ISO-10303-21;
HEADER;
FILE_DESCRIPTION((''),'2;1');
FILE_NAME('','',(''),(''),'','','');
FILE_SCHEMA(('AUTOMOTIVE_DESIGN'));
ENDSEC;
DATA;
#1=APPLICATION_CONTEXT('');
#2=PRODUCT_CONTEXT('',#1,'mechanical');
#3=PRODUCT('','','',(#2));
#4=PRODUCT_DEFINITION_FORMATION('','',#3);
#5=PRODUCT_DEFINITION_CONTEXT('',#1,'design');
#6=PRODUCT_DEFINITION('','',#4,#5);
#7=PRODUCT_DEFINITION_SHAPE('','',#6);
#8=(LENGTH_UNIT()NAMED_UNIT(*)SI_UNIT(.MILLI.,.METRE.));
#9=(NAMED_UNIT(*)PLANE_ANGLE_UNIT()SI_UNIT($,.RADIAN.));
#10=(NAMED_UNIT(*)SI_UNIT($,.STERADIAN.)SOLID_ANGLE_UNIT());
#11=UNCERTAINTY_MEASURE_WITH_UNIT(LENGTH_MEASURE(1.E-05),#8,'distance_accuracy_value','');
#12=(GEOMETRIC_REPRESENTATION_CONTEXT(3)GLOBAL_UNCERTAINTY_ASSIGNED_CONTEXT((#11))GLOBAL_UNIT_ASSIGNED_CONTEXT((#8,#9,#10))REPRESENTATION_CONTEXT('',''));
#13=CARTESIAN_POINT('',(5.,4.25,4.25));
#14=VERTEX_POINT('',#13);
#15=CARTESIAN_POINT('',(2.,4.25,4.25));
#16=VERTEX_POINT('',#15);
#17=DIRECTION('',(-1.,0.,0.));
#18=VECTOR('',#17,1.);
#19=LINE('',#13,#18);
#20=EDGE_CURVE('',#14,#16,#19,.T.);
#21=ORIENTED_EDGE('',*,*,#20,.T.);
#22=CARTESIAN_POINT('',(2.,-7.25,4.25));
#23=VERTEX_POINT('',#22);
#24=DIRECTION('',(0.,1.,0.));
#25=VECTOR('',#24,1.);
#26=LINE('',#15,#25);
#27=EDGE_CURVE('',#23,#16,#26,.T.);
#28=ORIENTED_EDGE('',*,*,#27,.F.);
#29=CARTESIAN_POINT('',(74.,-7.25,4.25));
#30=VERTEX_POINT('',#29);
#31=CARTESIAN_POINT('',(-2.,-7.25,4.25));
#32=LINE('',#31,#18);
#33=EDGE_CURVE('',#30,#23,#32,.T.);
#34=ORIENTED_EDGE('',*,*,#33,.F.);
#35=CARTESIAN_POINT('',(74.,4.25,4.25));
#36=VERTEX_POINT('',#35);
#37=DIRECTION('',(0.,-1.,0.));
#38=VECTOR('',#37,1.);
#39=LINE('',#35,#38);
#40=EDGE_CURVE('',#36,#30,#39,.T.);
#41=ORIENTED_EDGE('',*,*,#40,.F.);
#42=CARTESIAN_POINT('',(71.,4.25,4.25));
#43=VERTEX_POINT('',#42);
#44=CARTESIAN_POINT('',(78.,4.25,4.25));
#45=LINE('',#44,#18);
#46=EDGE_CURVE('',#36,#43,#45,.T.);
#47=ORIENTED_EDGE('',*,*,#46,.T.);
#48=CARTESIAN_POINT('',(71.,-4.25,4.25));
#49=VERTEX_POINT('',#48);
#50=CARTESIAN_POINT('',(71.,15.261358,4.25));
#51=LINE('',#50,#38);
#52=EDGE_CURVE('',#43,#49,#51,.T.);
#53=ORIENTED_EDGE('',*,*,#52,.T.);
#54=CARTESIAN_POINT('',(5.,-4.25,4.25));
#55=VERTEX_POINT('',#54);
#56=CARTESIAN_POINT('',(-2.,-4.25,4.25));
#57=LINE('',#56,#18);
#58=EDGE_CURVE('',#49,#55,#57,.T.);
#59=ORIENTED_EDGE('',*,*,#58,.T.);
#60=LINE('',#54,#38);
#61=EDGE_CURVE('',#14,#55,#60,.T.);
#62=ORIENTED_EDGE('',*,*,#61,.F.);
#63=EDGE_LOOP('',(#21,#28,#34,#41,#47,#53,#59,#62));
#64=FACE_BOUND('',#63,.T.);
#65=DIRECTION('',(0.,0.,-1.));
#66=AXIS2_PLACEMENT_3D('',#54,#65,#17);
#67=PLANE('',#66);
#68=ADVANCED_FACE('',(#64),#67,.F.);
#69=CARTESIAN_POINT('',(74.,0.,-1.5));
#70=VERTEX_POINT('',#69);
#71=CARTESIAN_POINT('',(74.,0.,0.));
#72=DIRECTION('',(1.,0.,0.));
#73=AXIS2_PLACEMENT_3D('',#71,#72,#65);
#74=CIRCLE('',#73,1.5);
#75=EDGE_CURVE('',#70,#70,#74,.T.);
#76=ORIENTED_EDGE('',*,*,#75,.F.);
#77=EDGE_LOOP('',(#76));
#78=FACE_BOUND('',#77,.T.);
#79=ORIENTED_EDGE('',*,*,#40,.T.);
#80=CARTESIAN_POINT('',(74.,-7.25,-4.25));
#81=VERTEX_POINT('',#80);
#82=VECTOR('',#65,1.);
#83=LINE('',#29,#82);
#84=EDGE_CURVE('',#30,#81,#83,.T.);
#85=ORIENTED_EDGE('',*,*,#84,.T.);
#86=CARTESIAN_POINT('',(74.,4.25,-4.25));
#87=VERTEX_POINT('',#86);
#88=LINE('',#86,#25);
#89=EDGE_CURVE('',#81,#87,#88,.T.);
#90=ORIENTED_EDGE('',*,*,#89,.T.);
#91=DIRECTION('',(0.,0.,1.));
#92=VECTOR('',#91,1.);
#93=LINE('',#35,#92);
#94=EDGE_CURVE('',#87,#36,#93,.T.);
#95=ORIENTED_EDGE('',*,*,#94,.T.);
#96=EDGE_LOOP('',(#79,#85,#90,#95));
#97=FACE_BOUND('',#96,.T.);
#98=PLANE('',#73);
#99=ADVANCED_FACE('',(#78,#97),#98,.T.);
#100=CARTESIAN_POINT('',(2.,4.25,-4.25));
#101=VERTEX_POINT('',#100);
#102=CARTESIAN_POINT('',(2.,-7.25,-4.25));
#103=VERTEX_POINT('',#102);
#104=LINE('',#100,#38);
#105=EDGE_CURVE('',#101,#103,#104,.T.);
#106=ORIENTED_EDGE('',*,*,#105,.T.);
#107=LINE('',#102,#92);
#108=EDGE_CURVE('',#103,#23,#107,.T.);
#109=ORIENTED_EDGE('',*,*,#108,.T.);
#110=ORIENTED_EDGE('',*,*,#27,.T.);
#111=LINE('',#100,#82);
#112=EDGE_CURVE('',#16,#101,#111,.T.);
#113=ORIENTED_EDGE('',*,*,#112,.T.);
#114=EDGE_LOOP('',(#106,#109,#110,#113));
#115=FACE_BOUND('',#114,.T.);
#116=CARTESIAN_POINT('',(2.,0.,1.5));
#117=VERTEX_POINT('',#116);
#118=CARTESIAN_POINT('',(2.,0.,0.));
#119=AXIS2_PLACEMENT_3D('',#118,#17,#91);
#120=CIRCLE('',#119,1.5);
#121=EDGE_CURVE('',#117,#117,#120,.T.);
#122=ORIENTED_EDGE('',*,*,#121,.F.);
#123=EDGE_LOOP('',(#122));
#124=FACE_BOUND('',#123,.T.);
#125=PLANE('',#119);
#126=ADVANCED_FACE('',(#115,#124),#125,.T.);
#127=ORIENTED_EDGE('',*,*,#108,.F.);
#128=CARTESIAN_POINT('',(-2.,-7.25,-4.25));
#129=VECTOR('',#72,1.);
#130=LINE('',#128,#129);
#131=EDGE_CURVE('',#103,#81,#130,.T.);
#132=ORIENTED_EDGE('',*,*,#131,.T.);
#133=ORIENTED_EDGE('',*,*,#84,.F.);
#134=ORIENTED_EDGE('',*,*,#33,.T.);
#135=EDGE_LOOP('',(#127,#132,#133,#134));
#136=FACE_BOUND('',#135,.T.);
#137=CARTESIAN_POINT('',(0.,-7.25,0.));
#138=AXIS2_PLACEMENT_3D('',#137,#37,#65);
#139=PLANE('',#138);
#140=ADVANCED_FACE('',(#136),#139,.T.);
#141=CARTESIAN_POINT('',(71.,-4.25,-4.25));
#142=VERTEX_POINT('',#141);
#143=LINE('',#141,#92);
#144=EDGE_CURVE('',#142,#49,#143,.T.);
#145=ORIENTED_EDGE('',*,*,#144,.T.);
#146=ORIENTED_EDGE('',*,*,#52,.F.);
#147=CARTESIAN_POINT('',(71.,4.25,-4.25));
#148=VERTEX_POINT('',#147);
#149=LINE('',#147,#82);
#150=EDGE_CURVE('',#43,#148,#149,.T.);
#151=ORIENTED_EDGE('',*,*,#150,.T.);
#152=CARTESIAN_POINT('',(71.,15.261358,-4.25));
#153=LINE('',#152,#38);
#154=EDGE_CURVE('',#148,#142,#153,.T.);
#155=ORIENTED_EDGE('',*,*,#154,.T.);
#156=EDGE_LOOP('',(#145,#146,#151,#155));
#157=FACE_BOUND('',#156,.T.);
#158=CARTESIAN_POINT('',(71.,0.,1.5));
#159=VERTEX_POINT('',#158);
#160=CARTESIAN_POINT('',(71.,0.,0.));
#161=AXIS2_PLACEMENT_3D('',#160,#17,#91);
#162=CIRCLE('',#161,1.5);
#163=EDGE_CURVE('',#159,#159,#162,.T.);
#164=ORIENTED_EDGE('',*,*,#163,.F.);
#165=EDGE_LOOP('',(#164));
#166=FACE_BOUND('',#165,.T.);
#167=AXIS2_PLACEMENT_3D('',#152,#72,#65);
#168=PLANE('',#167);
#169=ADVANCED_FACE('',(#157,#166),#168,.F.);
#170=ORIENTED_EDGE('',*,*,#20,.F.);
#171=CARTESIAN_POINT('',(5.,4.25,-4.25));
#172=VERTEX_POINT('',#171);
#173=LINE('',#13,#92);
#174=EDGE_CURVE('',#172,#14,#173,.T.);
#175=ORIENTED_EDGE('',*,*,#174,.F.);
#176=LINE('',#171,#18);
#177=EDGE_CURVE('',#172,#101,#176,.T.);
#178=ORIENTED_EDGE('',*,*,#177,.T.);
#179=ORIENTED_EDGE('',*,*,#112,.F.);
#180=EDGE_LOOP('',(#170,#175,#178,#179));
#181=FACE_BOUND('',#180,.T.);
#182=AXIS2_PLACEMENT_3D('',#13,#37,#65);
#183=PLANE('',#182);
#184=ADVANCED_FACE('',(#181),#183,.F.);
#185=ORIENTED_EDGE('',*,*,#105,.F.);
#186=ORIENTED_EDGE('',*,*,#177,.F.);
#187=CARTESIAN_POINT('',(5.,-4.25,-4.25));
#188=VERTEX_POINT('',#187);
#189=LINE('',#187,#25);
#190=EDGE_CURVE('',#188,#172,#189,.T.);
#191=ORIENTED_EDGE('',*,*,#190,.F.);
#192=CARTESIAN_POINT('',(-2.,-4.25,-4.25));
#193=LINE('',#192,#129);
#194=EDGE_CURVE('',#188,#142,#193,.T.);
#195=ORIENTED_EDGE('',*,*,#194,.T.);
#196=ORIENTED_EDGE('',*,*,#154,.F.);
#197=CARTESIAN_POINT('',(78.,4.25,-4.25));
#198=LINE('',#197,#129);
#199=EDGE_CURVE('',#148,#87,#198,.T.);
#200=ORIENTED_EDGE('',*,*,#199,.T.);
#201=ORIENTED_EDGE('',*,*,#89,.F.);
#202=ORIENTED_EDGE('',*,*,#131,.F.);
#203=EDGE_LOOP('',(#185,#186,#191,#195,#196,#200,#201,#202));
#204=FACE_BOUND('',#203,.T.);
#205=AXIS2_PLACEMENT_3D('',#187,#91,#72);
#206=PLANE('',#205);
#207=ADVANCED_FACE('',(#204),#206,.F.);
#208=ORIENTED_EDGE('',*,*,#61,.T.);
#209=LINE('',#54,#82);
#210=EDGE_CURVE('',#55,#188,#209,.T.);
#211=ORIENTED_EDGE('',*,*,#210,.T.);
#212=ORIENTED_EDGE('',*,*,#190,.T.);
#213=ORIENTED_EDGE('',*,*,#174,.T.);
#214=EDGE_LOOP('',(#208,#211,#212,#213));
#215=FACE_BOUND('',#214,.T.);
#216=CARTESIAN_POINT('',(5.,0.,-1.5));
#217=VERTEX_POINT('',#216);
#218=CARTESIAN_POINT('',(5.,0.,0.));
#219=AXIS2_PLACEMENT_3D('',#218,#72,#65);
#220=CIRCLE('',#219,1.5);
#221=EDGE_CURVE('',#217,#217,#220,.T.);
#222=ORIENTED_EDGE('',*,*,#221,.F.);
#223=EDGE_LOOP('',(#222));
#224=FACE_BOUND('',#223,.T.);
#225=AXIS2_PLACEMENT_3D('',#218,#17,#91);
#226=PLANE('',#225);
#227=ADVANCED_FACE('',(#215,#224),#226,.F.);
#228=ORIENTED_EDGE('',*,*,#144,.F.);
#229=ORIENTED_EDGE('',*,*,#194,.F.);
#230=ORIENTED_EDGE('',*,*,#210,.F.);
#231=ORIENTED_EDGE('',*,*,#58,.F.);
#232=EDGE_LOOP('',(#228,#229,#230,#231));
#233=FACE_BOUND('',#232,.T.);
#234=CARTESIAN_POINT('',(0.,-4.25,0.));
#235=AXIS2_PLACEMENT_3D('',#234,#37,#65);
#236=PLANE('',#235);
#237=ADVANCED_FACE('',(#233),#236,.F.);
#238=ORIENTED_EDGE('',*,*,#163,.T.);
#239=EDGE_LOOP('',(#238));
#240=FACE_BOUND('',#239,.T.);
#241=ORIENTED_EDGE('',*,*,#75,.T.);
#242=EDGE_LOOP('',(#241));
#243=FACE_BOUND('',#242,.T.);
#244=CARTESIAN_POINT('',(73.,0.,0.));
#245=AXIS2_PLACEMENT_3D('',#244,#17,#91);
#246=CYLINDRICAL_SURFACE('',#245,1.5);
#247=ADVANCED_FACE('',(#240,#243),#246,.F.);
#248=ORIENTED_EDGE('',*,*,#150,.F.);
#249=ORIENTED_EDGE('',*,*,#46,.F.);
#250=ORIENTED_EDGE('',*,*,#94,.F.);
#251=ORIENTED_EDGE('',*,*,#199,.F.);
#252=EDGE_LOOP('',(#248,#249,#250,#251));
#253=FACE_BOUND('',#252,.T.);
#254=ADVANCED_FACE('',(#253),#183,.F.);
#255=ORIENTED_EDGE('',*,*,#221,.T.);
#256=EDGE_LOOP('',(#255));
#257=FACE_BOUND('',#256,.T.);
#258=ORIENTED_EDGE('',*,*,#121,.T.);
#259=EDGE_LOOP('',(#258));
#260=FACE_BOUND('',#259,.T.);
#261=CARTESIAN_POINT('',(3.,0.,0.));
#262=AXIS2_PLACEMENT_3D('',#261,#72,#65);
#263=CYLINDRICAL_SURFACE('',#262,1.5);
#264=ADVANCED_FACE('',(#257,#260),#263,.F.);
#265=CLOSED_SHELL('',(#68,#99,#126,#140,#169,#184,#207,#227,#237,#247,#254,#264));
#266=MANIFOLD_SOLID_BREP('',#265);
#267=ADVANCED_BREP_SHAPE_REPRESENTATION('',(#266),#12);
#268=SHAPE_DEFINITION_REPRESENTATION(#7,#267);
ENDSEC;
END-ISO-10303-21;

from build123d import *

# Parameters (mm, degrees)
SKETCH1_W           = 8.5
SKETCH1_H           = 8.5
BOSS_EXTRUDE1_DEPTH = 5
SKETCH2_W           = 8.5
SKETCH2_H           = 8.5
BOSS_EXTRUDE2_DEPTH = 2
SKETCH3_R           = 1.5
CUT_EXTRUDE1_DEPTH  = 2
SKETCH4_W           = 80
SKETCH4_H           = 8.5
BOSS_EXTRUDE3_DEPTH = 3
SKETCH5_W           = 7
SKETCH5_H           = 8.5
BOSS_EXTRUDE4_DEPTH = 8.5
CUT_EXTRUDE2_DEPTH  = 5
SKETCH7_R           = 1.5
CUT_EXTRUDE3_DEPTH  = 5
CUT_EXTRUDE4_DEPTH  = 10
SKETCH9_W           = 8.5
SKETCH9_H           = 8.5
SKETCH9_R           = 1.5
BOSS_EXTRUDE5_DEPTH = 2
CUT_EXTRUDE5_DEPTH  = 2
SKETCH11_W          = 8.5
SKETCH11_H          = 8.5
SKETCH11_R          = 1.5
BOSS_EXTRUDE6_DEPTH = 2
BOSS_EXTRUDE7_DEPTH = 5
BOSS_EXTRUDE8_DEPTH = 5
SKETCH14_W          = 8.5
SKETCH14_H          = 11.5
CUT_EXTRUDE6_DEPTH  = 4
SKETCH15_W          = 8.5
SKETCH15_H          = 11.5
CUT_EXTRUDE7_DEPTH  = 4
SKETCH16_R          = 1.5
CUT_EXTRUDE8_DEPTH  = 4
SKETCH17_R          = 1.5
CUT_EXTRUDE9_DEPTH  = 4


with BuildPart() as part:
    # Sketch1 → Boss-Extrude1 (new body)
    with BuildSketch(Plane(origin=(0, 0, 0), x_dir=(0, 0, -1), z_dir=(1, 0, 0))):
        Rectangle(SKETCH1_W, SKETCH1_H)
        Polygon((1.58771324, 2.75), (-1.58771324, 2.75), (-3.175426481, 0), (-1.58771324, -2.75), (1.58771324, -2.75), (3.175426481, 0), align=None, mode=Mode.SUBTRACT)
    extrude(amount=BOSS_EXTRUDE1_DEPTH)

    # Sketch2 → Boss-Extrude2 (add)
    with BuildSketch(Plane.ZY):
        Rectangle(SKETCH2_W, SKETCH2_H)
    extrude(amount=BOSS_EXTRUDE2_DEPTH)

    # Sketch3 → Cut-Extrude1 (cut)
    with BuildSketch(Plane(origin=(0, 0, 0), x_dir=(0, 0, -1), z_dir=(1, 0, 0))):
        Circle(SKETCH3_R)
    extrude(amount=-CUT_EXTRUDE1_DEPTH, mode=Mode.SUBTRACT)

    # Sketch4 → Boss-Extrude3 (add)
    with BuildSketch(Plane.XZ.offset(4.25)):
        with Locations((38, 0)):
            Rectangle(SKETCH4_W, SKETCH4_H)
    extrude(amount=BOSS_EXTRUDE3_DEPTH)

    # Sketch5 → Boss-Extrude4 (add)
    with BuildSketch(Plane(origin=(0, -4.25, 0), x_dir=(1, 0, 0), z_dir=(0, 1, 0))):
        with Locations((74.5, 0)):
            Rectangle(SKETCH5_W, SKETCH5_H)
    extrude(amount=BOSS_EXTRUDE4_DEPTH)

    # Sketch6 → Cut-Extrude2 (cut)
    with BuildSketch(Plane.ZY.offset(-71)):
        Polygon((3.175426481, 0), (1.58771324, 2.75), (-1.58771324, 2.75), (-3.175426481, 0), (-1.58771324, -2.75), (1.58771324, -2.75), align=None)
    extrude(amount=-CUT_EXTRUDE2_DEPTH, mode=Mode.SUBTRACT)

    # Sketch7 → Cut-Extrude3 (cut)
    with BuildSketch(Plane.ZY.offset(-76)):
        Circle(SKETCH7_R)
    extrude(amount=-CUT_EXTRUDE3_DEPTH, mode=Mode.SUBTRACT)

    # Sketch8 → Cut-Extrude4 (cut)
    with BuildSketch(Plane.ZY.offset(2)):
        Polygon((-1.58771324, 2.75), (1.58771324, 2.75), (3.175426481, 0), (1.58771324, -2.75), (-1.58771324, -2.75), (-3.175426481, 0), align=None)
    extrude(amount=-CUT_EXTRUDE4_DEPTH, mode=Mode.SUBTRACT)

    # Sketch9 → Boss-Extrude5 (add)
    with BuildSketch(Plane(origin=(5, 0, 0), x_dir=(0, 0, -1), z_dir=(1, 0, 0))):
        Rectangle(SKETCH9_W, SKETCH9_H)
        Circle(SKETCH9_R, mode=Mode.SUBTRACT)
    extrude(amount=-BOSS_EXTRUDE5_DEPTH)

    # Sketch10 → Cut-Extrude5 (cut)
    with BuildSketch(Plane(origin=(78, 0, 0), x_dir=(0, 0, -1), z_dir=(1, 0, 0))):
        Polygon((-3.175426481, 0), (-1.58771324, 2.75), (1.58771324, 2.75), (3.175426481, 0), (1.58771324, -2.75), (-1.58771324, -2.75), align=None)
    extrude(amount=-CUT_EXTRUDE5_DEPTH, mode=Mode.SUBTRACT)

    # Sketch11 → Boss-Extrude6 (add)
    with BuildSketch(Plane.ZY.offset(-71)):
        Rectangle(SKETCH11_W, SKETCH11_H)
        Circle(SKETCH11_R, mode=Mode.SUBTRACT)
    extrude(amount=-BOSS_EXTRUDE6_DEPTH)

    # Sketch12 → Boss-Extrude7 (add)
    with BuildSketch(Plane.ZY.offset(-3)):
        Polygon((-3.175426481, 0), (-1.58771324, 2.75), (1.58771324, 2.75), (3.175426481, 0), (1.58771324, -2.75), (-1.58771324, -2.75), align=None)
    extrude(amount=BOSS_EXTRUDE7_DEPTH)

    # Sketch13 → Boss-Extrude8 (add)
    with BuildSketch(Plane(origin=(73, 0, 0), x_dir=(0, 0, -1), z_dir=(1, 0, 0))):
        Polygon((-1.58771324, 2.75), (-3.175426481, 0), (-1.58771324, -2.75), (1.58771324, -2.75), (3.175426481, 0), (1.58771324, 2.75), align=None)
    extrude(amount=BOSS_EXTRUDE8_DEPTH)

    # Sketch14 → Cut-Extrude6 (cut)
    with BuildSketch(Plane.ZY.offset(2)):
        with Locations((0, -1.5)):
            Rectangle(SKETCH14_W, SKETCH14_H)
    extrude(amount=-CUT_EXTRUDE6_DEPTH, mode=Mode.SUBTRACT)

    # Sketch15 → Cut-Extrude7 (cut)
    with BuildSketch(Plane(origin=(78, 0, 0), x_dir=(0, 0, -1), z_dir=(1, 0, 0))):
        with Locations((0, -1.5)):
            Rectangle(SKETCH15_W, SKETCH15_H)
    extrude(amount=-CUT_EXTRUDE7_DEPTH, mode=Mode.SUBTRACT)

    # Sketch16 → Cut-Extrude8 (cut)
    with BuildSketch(Plane(origin=(5, 0, 0), x_dir=(0, 0, -1), z_dir=(1, 0, 0))):
        Circle(SKETCH16_R)
    extrude(amount=-CUT_EXTRUDE8_DEPTH, mode=Mode.SUBTRACT)

    # Sketch17 → Cut-Extrude9 (cut)
    with BuildSketch(Plane.ZY.offset(-73)):
        Circle(SKETCH17_R)
    extrude(amount=-CUT_EXTRUDE9_DEPTH, mode=Mode.SUBTRACT)


solid = part.part
